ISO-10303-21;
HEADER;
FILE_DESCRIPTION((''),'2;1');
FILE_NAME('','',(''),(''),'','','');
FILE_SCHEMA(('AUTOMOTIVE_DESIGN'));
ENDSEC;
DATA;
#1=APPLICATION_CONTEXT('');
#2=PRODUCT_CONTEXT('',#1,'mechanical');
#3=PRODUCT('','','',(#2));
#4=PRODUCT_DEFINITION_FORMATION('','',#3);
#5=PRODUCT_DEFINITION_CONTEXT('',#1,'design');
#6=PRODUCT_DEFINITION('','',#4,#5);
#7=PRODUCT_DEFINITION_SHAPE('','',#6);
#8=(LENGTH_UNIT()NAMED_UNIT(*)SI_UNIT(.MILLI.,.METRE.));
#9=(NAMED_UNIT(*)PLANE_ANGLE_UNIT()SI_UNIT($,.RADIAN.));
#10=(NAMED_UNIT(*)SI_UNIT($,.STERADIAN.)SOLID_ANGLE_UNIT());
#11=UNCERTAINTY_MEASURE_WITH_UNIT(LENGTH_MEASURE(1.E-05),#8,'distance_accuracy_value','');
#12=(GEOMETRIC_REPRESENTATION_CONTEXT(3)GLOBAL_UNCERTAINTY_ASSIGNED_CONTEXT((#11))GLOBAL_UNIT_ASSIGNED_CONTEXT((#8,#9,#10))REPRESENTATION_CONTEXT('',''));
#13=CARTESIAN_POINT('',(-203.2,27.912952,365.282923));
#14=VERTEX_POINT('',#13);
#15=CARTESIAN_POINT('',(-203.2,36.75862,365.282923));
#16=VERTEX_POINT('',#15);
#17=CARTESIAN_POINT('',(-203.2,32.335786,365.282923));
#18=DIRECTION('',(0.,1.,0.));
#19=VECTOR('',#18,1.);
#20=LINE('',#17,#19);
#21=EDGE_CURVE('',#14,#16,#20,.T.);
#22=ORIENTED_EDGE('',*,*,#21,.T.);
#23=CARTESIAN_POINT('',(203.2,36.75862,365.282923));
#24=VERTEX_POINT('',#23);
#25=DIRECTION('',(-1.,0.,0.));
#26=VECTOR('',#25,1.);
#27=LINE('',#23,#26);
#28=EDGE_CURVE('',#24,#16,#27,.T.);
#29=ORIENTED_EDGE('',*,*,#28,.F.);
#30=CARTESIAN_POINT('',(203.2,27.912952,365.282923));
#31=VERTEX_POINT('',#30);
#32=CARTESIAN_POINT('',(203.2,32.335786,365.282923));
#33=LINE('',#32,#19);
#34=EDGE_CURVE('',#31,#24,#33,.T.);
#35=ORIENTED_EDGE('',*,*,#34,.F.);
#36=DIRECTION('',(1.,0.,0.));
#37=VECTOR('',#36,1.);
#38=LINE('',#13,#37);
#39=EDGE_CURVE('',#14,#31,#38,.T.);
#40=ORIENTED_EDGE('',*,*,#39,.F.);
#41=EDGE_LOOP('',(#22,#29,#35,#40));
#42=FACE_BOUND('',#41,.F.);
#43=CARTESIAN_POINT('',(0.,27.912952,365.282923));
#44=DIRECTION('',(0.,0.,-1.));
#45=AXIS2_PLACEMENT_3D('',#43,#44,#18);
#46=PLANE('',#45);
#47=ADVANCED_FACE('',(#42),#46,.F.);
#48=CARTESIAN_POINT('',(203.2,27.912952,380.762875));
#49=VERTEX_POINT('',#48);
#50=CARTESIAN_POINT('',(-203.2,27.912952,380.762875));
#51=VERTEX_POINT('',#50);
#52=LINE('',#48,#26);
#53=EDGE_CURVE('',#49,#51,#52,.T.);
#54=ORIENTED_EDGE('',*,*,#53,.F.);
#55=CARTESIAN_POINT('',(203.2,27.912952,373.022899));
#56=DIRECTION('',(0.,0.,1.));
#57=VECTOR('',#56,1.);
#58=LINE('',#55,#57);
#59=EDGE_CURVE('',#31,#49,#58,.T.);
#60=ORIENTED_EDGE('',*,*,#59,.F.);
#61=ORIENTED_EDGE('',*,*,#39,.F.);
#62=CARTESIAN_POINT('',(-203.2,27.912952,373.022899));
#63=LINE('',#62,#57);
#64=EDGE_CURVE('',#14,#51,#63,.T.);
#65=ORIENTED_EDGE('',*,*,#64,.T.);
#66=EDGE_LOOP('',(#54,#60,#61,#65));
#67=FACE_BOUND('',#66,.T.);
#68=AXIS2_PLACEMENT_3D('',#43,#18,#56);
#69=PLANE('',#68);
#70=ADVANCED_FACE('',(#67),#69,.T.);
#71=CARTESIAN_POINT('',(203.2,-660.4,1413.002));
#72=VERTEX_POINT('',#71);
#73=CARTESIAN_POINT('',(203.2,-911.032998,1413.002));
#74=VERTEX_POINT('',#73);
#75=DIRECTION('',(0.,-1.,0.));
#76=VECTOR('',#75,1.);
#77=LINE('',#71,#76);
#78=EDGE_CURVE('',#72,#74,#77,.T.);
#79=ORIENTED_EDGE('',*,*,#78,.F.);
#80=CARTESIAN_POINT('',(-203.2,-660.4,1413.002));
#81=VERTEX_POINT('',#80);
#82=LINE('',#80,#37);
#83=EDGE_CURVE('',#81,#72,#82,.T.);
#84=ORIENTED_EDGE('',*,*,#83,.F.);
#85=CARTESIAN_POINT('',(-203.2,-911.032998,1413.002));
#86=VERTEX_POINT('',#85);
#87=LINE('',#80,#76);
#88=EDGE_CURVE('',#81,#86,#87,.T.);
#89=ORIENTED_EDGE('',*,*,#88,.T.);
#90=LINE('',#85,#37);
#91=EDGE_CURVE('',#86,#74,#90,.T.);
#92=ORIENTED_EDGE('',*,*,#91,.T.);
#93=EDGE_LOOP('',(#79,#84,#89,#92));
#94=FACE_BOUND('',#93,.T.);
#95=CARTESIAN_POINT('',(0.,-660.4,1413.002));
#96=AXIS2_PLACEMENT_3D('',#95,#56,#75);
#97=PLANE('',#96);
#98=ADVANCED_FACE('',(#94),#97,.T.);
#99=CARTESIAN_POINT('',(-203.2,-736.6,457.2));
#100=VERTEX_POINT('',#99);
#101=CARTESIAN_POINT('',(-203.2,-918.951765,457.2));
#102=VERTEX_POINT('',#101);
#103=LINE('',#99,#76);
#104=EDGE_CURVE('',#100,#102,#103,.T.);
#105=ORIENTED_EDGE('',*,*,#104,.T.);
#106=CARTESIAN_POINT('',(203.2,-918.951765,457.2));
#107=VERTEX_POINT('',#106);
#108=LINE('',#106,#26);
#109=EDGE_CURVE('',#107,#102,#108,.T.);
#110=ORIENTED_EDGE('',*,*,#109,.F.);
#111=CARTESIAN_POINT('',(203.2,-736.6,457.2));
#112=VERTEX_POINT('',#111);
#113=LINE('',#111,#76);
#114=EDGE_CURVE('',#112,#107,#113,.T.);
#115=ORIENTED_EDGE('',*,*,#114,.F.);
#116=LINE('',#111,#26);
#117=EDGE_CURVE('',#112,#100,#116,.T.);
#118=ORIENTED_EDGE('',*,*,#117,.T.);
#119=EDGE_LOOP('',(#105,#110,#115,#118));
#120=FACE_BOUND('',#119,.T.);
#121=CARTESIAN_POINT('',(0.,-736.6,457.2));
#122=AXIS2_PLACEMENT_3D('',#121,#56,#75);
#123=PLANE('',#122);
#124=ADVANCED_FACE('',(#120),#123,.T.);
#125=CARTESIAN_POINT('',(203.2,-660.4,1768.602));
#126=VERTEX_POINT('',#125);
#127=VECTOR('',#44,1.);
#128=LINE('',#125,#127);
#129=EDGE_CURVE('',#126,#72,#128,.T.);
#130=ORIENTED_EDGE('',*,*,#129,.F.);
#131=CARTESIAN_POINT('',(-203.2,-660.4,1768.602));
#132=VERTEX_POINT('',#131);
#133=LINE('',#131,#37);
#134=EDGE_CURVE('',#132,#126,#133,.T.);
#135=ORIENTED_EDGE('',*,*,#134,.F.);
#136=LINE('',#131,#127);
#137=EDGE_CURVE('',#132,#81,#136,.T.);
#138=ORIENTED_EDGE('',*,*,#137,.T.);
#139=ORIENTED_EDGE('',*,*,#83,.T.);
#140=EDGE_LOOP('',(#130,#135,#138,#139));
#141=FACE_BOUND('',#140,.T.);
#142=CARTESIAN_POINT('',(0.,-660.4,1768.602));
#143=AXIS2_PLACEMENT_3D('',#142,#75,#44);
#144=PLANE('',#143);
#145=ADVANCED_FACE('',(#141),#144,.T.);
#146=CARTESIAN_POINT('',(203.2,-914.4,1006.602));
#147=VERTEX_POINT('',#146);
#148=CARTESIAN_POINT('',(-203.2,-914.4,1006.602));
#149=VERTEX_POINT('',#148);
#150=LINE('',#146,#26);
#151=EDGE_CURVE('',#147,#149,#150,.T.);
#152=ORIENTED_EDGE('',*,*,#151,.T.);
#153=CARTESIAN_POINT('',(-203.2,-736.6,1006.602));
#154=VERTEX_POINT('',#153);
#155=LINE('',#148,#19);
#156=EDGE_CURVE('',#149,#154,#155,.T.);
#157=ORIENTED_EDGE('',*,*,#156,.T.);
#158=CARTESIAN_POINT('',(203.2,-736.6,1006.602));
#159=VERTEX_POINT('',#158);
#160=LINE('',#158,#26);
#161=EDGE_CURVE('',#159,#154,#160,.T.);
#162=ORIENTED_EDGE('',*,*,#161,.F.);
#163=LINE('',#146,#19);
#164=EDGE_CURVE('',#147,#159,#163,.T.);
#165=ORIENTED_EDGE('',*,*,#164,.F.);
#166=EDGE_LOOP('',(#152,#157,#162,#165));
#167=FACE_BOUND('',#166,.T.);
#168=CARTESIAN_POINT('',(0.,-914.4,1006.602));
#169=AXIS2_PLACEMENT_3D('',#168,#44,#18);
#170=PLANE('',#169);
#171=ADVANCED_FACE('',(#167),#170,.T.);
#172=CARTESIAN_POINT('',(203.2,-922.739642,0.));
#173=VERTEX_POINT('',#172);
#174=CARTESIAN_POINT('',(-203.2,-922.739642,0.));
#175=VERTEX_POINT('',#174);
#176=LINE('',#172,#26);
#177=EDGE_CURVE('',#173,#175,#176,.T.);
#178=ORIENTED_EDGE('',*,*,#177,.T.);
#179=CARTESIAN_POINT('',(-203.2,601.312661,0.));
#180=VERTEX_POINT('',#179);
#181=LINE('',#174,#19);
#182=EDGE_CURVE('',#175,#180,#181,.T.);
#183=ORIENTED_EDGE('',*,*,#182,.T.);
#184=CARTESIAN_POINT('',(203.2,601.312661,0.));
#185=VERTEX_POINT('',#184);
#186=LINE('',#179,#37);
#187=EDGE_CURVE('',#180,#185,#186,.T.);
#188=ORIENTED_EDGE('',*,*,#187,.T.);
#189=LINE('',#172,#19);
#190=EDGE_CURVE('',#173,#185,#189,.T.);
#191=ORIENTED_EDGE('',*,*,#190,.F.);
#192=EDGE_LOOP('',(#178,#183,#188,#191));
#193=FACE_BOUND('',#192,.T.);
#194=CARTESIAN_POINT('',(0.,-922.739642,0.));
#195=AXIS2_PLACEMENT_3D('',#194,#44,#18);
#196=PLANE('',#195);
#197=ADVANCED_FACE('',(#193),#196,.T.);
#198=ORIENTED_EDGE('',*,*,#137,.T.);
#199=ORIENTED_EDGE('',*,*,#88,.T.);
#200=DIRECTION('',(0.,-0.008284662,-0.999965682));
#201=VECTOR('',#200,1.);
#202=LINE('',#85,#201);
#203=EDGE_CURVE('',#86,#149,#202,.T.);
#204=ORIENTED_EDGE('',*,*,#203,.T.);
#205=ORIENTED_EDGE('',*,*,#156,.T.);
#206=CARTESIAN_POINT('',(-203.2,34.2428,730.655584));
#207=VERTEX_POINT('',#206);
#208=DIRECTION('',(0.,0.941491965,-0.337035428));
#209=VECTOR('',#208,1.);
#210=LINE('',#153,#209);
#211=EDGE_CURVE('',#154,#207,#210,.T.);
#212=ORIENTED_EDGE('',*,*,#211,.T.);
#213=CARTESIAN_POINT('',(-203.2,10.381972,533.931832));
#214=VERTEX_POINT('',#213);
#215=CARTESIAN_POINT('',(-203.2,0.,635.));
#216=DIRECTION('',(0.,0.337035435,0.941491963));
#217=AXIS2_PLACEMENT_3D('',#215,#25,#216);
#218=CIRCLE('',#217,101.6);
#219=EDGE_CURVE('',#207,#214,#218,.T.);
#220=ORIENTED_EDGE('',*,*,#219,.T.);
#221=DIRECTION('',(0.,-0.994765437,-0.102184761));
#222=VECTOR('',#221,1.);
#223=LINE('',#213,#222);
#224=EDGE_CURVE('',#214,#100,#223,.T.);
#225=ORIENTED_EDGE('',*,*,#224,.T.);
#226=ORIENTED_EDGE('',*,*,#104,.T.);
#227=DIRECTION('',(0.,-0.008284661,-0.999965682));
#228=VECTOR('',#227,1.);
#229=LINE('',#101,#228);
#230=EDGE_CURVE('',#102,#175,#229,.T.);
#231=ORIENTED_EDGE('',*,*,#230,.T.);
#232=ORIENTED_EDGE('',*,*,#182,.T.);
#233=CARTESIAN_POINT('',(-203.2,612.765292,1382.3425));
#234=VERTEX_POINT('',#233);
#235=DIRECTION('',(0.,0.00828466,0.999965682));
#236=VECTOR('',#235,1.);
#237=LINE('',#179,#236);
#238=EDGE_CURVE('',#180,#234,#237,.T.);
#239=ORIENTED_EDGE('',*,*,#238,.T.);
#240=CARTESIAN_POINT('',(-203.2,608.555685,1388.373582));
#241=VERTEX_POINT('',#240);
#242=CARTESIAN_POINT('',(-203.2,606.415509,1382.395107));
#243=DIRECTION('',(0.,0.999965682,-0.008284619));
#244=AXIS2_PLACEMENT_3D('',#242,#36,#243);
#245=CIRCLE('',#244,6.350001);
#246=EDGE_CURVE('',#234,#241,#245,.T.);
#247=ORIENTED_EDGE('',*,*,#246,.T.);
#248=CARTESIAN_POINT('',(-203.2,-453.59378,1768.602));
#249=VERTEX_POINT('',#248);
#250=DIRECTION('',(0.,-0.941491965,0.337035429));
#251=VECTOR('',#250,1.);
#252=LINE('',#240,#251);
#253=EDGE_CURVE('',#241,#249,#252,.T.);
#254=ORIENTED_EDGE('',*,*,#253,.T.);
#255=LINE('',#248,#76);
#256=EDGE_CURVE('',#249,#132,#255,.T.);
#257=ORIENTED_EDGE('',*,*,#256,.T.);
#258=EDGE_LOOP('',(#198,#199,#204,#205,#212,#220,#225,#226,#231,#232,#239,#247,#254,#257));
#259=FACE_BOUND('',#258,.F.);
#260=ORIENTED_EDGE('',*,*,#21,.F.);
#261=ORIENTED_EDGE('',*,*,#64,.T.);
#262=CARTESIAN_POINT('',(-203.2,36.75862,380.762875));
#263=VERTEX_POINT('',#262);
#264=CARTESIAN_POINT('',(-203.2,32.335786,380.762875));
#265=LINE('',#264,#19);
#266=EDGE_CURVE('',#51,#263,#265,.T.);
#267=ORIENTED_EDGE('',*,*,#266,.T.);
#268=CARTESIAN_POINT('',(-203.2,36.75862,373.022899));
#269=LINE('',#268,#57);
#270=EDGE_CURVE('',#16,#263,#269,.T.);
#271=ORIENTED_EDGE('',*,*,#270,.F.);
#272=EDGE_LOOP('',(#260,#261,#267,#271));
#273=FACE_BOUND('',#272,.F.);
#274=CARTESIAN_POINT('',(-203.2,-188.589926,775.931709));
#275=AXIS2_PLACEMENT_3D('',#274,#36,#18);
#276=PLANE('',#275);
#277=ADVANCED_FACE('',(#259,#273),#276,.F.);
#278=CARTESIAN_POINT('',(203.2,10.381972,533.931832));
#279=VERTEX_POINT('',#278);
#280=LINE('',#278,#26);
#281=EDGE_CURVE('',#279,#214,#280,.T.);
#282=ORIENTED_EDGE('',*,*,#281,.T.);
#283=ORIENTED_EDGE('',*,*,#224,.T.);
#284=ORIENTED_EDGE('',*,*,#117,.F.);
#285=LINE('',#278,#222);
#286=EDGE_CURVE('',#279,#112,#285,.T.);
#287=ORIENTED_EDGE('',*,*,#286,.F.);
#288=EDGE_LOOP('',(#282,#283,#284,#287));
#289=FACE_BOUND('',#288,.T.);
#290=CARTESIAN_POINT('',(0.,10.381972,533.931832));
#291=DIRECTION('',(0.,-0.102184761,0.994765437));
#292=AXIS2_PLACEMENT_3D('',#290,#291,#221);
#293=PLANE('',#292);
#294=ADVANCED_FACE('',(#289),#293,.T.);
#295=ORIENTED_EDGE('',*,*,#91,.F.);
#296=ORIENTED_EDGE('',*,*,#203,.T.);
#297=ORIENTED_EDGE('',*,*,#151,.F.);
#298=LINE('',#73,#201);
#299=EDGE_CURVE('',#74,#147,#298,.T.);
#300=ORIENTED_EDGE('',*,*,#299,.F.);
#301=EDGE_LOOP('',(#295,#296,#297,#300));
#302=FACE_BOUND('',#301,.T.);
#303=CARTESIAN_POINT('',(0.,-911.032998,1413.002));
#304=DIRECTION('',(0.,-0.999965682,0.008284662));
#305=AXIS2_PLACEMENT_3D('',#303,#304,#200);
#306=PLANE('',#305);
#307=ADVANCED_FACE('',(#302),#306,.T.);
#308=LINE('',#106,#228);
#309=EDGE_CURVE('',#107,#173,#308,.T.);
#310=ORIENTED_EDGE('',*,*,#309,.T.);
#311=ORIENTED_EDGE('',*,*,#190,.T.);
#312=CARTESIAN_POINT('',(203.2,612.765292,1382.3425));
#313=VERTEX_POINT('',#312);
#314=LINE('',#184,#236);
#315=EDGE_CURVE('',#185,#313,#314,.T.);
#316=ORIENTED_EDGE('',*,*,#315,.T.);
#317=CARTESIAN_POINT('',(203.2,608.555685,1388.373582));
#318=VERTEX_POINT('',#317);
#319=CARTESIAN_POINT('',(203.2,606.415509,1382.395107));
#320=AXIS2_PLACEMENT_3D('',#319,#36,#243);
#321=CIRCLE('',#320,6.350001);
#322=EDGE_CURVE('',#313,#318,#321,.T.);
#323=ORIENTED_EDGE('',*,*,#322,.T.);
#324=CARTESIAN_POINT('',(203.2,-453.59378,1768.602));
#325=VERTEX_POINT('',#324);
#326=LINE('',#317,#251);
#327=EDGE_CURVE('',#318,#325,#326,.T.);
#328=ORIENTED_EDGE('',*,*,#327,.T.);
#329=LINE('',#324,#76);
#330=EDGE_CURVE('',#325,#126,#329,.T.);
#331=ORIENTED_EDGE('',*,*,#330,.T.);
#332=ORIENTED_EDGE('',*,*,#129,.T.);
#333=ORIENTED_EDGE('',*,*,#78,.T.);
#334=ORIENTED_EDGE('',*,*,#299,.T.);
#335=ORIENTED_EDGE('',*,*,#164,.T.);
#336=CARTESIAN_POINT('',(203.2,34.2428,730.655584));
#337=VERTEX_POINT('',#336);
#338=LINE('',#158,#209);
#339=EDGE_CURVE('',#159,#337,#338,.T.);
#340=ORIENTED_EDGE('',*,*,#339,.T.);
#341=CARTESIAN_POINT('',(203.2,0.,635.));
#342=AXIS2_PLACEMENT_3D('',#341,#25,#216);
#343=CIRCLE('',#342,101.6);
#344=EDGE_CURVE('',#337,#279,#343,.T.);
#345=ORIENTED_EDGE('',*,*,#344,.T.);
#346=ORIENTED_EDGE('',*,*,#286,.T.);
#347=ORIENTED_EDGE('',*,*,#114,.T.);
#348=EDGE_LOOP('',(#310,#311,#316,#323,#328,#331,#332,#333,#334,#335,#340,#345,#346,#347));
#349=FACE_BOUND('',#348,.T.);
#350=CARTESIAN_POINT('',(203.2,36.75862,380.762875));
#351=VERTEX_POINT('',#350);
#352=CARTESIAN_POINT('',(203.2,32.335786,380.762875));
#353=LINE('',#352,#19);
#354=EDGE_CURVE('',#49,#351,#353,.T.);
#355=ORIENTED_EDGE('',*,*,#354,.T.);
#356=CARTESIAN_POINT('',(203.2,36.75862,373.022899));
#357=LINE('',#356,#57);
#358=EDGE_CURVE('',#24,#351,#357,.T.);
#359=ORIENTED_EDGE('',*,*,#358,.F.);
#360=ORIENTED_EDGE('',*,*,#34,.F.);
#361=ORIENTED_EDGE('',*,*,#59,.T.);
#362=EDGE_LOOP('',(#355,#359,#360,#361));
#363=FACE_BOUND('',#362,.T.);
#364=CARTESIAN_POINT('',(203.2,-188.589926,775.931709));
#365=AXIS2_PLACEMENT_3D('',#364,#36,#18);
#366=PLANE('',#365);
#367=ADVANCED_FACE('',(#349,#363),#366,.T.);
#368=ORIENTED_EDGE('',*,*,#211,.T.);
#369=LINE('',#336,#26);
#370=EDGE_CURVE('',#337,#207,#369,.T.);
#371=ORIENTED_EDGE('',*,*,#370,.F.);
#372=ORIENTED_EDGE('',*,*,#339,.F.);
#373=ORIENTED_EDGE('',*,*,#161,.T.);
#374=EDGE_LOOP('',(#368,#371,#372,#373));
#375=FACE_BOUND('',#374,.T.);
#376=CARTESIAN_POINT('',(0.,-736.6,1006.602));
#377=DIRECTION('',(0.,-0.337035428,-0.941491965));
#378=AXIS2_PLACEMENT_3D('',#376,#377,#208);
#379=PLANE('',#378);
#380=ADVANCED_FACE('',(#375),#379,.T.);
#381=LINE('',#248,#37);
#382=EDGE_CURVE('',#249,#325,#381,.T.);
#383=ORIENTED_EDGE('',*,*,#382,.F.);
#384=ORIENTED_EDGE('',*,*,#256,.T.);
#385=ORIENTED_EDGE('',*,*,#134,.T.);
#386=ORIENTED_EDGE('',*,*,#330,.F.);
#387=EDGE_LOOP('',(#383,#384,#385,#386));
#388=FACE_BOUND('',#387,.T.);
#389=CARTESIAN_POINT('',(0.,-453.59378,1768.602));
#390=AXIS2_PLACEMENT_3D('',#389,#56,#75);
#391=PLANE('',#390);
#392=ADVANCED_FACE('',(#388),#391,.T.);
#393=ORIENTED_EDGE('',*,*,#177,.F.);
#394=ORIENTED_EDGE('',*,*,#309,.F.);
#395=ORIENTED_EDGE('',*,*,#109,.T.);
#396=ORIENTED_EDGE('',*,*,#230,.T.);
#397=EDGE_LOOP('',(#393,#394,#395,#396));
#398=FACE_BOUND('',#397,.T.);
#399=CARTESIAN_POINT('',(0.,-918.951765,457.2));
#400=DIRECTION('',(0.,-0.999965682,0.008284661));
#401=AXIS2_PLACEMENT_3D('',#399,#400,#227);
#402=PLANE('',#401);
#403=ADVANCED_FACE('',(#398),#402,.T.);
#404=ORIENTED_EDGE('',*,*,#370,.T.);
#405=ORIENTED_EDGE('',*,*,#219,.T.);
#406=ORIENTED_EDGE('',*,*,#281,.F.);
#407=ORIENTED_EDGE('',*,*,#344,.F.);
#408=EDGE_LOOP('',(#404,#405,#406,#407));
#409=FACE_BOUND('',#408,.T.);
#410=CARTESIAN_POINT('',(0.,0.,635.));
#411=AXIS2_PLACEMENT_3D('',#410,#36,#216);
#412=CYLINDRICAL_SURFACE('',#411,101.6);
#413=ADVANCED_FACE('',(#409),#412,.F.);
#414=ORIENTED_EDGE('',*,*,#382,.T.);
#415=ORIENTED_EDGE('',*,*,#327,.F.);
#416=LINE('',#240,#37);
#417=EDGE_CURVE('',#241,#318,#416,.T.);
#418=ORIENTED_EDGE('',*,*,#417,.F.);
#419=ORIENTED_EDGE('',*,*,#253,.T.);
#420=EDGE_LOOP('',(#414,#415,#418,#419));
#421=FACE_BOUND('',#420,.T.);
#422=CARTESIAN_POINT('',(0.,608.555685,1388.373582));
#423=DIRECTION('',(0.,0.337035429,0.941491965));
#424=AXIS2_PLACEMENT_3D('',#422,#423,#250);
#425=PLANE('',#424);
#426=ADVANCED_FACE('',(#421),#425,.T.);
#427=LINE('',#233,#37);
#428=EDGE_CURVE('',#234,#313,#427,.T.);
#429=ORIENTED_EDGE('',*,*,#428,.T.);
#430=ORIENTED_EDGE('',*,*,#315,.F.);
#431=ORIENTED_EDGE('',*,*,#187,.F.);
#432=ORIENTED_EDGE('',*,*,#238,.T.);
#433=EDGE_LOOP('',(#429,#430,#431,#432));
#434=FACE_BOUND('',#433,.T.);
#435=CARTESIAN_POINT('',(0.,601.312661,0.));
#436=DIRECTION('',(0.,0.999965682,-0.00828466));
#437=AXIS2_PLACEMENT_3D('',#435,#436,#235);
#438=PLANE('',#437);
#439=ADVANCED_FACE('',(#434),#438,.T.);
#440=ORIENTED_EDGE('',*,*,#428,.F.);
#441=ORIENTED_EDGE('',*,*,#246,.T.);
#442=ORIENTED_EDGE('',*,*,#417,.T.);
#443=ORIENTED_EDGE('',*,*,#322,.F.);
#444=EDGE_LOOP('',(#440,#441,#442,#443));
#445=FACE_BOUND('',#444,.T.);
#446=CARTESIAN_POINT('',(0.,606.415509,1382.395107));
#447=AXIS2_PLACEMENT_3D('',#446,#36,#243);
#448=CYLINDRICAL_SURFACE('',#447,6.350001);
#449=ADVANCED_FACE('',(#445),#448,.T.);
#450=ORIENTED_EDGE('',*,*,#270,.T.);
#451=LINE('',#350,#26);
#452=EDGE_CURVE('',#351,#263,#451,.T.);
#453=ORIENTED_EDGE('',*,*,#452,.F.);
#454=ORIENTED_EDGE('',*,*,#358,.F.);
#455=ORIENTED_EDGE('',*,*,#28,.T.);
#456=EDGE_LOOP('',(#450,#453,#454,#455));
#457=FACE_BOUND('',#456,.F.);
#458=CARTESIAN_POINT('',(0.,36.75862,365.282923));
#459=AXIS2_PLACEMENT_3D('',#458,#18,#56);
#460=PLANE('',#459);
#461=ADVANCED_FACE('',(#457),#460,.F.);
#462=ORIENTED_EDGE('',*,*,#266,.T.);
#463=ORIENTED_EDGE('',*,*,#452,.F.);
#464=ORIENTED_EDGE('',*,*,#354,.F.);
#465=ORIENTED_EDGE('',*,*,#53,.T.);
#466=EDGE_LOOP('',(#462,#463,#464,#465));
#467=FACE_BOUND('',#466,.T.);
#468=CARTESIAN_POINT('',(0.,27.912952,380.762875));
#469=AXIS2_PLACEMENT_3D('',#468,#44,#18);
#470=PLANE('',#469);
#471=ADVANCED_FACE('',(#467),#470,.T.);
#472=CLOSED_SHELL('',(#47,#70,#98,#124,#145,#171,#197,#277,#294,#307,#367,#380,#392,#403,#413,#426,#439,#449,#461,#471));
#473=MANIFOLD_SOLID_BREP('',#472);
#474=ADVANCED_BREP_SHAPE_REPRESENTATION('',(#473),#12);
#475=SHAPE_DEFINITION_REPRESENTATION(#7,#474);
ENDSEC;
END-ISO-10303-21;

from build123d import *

# Parameters (mm, degrees)
F0_W     = 8.845668
F0_H     = 15.479952
F1_DEPTH = 203.2


with BuildPart() as f1:
    # F0 (on Right) → F1 (new body, symmetric)
    with BuildSketch(Plane.YZ):
        with BuildLine():
            Line((-922.739642, 0), (601.312661, 0))
            Line((601.312661, 0), (612.765292, 1382.3425))
            ThreePointArc((612.765292, 1382.3425), (611.622556, 1386.02955), (608.555685, 1388.373582))
            Line((608.555685, 1388.373582), (-453.59378, 1768.602))
            Line((-453.59378, 1768.602), (-660.4, 1768.602))
            Line((-660.4, 1768.602), (-660.4, 1413.002))
            Line((-660.4, 1413.002), (-911.032998, 1413.002))
            Line((-911.032998, 1413.002), (-914.4, 1006.602))
            Line((-914.4, 1006.602), (-736.6, 1006.602))
            Line((-736.6, 1006.602), (34.2428, 730.655584))
            ThreePointArc((34.2428, 730.655584), (100.860801, 622.766489), (10.381972, 533.931832))
            Line((10.381972, 533.931832), (-736.6, 457.2))
            Line((-736.6, 457.2), (-918.951765, 457.2))
            Line((-918.951765, 457.2), (-922.739642, 0))
        make_face()
        with Locations((32.335786, 373.022899)):
            Rectangle(F0_W, F0_H, mode=Mode.SUBTRACT)
    extrude(amount=F1_DEPTH, both=True)


solid = f1.part
